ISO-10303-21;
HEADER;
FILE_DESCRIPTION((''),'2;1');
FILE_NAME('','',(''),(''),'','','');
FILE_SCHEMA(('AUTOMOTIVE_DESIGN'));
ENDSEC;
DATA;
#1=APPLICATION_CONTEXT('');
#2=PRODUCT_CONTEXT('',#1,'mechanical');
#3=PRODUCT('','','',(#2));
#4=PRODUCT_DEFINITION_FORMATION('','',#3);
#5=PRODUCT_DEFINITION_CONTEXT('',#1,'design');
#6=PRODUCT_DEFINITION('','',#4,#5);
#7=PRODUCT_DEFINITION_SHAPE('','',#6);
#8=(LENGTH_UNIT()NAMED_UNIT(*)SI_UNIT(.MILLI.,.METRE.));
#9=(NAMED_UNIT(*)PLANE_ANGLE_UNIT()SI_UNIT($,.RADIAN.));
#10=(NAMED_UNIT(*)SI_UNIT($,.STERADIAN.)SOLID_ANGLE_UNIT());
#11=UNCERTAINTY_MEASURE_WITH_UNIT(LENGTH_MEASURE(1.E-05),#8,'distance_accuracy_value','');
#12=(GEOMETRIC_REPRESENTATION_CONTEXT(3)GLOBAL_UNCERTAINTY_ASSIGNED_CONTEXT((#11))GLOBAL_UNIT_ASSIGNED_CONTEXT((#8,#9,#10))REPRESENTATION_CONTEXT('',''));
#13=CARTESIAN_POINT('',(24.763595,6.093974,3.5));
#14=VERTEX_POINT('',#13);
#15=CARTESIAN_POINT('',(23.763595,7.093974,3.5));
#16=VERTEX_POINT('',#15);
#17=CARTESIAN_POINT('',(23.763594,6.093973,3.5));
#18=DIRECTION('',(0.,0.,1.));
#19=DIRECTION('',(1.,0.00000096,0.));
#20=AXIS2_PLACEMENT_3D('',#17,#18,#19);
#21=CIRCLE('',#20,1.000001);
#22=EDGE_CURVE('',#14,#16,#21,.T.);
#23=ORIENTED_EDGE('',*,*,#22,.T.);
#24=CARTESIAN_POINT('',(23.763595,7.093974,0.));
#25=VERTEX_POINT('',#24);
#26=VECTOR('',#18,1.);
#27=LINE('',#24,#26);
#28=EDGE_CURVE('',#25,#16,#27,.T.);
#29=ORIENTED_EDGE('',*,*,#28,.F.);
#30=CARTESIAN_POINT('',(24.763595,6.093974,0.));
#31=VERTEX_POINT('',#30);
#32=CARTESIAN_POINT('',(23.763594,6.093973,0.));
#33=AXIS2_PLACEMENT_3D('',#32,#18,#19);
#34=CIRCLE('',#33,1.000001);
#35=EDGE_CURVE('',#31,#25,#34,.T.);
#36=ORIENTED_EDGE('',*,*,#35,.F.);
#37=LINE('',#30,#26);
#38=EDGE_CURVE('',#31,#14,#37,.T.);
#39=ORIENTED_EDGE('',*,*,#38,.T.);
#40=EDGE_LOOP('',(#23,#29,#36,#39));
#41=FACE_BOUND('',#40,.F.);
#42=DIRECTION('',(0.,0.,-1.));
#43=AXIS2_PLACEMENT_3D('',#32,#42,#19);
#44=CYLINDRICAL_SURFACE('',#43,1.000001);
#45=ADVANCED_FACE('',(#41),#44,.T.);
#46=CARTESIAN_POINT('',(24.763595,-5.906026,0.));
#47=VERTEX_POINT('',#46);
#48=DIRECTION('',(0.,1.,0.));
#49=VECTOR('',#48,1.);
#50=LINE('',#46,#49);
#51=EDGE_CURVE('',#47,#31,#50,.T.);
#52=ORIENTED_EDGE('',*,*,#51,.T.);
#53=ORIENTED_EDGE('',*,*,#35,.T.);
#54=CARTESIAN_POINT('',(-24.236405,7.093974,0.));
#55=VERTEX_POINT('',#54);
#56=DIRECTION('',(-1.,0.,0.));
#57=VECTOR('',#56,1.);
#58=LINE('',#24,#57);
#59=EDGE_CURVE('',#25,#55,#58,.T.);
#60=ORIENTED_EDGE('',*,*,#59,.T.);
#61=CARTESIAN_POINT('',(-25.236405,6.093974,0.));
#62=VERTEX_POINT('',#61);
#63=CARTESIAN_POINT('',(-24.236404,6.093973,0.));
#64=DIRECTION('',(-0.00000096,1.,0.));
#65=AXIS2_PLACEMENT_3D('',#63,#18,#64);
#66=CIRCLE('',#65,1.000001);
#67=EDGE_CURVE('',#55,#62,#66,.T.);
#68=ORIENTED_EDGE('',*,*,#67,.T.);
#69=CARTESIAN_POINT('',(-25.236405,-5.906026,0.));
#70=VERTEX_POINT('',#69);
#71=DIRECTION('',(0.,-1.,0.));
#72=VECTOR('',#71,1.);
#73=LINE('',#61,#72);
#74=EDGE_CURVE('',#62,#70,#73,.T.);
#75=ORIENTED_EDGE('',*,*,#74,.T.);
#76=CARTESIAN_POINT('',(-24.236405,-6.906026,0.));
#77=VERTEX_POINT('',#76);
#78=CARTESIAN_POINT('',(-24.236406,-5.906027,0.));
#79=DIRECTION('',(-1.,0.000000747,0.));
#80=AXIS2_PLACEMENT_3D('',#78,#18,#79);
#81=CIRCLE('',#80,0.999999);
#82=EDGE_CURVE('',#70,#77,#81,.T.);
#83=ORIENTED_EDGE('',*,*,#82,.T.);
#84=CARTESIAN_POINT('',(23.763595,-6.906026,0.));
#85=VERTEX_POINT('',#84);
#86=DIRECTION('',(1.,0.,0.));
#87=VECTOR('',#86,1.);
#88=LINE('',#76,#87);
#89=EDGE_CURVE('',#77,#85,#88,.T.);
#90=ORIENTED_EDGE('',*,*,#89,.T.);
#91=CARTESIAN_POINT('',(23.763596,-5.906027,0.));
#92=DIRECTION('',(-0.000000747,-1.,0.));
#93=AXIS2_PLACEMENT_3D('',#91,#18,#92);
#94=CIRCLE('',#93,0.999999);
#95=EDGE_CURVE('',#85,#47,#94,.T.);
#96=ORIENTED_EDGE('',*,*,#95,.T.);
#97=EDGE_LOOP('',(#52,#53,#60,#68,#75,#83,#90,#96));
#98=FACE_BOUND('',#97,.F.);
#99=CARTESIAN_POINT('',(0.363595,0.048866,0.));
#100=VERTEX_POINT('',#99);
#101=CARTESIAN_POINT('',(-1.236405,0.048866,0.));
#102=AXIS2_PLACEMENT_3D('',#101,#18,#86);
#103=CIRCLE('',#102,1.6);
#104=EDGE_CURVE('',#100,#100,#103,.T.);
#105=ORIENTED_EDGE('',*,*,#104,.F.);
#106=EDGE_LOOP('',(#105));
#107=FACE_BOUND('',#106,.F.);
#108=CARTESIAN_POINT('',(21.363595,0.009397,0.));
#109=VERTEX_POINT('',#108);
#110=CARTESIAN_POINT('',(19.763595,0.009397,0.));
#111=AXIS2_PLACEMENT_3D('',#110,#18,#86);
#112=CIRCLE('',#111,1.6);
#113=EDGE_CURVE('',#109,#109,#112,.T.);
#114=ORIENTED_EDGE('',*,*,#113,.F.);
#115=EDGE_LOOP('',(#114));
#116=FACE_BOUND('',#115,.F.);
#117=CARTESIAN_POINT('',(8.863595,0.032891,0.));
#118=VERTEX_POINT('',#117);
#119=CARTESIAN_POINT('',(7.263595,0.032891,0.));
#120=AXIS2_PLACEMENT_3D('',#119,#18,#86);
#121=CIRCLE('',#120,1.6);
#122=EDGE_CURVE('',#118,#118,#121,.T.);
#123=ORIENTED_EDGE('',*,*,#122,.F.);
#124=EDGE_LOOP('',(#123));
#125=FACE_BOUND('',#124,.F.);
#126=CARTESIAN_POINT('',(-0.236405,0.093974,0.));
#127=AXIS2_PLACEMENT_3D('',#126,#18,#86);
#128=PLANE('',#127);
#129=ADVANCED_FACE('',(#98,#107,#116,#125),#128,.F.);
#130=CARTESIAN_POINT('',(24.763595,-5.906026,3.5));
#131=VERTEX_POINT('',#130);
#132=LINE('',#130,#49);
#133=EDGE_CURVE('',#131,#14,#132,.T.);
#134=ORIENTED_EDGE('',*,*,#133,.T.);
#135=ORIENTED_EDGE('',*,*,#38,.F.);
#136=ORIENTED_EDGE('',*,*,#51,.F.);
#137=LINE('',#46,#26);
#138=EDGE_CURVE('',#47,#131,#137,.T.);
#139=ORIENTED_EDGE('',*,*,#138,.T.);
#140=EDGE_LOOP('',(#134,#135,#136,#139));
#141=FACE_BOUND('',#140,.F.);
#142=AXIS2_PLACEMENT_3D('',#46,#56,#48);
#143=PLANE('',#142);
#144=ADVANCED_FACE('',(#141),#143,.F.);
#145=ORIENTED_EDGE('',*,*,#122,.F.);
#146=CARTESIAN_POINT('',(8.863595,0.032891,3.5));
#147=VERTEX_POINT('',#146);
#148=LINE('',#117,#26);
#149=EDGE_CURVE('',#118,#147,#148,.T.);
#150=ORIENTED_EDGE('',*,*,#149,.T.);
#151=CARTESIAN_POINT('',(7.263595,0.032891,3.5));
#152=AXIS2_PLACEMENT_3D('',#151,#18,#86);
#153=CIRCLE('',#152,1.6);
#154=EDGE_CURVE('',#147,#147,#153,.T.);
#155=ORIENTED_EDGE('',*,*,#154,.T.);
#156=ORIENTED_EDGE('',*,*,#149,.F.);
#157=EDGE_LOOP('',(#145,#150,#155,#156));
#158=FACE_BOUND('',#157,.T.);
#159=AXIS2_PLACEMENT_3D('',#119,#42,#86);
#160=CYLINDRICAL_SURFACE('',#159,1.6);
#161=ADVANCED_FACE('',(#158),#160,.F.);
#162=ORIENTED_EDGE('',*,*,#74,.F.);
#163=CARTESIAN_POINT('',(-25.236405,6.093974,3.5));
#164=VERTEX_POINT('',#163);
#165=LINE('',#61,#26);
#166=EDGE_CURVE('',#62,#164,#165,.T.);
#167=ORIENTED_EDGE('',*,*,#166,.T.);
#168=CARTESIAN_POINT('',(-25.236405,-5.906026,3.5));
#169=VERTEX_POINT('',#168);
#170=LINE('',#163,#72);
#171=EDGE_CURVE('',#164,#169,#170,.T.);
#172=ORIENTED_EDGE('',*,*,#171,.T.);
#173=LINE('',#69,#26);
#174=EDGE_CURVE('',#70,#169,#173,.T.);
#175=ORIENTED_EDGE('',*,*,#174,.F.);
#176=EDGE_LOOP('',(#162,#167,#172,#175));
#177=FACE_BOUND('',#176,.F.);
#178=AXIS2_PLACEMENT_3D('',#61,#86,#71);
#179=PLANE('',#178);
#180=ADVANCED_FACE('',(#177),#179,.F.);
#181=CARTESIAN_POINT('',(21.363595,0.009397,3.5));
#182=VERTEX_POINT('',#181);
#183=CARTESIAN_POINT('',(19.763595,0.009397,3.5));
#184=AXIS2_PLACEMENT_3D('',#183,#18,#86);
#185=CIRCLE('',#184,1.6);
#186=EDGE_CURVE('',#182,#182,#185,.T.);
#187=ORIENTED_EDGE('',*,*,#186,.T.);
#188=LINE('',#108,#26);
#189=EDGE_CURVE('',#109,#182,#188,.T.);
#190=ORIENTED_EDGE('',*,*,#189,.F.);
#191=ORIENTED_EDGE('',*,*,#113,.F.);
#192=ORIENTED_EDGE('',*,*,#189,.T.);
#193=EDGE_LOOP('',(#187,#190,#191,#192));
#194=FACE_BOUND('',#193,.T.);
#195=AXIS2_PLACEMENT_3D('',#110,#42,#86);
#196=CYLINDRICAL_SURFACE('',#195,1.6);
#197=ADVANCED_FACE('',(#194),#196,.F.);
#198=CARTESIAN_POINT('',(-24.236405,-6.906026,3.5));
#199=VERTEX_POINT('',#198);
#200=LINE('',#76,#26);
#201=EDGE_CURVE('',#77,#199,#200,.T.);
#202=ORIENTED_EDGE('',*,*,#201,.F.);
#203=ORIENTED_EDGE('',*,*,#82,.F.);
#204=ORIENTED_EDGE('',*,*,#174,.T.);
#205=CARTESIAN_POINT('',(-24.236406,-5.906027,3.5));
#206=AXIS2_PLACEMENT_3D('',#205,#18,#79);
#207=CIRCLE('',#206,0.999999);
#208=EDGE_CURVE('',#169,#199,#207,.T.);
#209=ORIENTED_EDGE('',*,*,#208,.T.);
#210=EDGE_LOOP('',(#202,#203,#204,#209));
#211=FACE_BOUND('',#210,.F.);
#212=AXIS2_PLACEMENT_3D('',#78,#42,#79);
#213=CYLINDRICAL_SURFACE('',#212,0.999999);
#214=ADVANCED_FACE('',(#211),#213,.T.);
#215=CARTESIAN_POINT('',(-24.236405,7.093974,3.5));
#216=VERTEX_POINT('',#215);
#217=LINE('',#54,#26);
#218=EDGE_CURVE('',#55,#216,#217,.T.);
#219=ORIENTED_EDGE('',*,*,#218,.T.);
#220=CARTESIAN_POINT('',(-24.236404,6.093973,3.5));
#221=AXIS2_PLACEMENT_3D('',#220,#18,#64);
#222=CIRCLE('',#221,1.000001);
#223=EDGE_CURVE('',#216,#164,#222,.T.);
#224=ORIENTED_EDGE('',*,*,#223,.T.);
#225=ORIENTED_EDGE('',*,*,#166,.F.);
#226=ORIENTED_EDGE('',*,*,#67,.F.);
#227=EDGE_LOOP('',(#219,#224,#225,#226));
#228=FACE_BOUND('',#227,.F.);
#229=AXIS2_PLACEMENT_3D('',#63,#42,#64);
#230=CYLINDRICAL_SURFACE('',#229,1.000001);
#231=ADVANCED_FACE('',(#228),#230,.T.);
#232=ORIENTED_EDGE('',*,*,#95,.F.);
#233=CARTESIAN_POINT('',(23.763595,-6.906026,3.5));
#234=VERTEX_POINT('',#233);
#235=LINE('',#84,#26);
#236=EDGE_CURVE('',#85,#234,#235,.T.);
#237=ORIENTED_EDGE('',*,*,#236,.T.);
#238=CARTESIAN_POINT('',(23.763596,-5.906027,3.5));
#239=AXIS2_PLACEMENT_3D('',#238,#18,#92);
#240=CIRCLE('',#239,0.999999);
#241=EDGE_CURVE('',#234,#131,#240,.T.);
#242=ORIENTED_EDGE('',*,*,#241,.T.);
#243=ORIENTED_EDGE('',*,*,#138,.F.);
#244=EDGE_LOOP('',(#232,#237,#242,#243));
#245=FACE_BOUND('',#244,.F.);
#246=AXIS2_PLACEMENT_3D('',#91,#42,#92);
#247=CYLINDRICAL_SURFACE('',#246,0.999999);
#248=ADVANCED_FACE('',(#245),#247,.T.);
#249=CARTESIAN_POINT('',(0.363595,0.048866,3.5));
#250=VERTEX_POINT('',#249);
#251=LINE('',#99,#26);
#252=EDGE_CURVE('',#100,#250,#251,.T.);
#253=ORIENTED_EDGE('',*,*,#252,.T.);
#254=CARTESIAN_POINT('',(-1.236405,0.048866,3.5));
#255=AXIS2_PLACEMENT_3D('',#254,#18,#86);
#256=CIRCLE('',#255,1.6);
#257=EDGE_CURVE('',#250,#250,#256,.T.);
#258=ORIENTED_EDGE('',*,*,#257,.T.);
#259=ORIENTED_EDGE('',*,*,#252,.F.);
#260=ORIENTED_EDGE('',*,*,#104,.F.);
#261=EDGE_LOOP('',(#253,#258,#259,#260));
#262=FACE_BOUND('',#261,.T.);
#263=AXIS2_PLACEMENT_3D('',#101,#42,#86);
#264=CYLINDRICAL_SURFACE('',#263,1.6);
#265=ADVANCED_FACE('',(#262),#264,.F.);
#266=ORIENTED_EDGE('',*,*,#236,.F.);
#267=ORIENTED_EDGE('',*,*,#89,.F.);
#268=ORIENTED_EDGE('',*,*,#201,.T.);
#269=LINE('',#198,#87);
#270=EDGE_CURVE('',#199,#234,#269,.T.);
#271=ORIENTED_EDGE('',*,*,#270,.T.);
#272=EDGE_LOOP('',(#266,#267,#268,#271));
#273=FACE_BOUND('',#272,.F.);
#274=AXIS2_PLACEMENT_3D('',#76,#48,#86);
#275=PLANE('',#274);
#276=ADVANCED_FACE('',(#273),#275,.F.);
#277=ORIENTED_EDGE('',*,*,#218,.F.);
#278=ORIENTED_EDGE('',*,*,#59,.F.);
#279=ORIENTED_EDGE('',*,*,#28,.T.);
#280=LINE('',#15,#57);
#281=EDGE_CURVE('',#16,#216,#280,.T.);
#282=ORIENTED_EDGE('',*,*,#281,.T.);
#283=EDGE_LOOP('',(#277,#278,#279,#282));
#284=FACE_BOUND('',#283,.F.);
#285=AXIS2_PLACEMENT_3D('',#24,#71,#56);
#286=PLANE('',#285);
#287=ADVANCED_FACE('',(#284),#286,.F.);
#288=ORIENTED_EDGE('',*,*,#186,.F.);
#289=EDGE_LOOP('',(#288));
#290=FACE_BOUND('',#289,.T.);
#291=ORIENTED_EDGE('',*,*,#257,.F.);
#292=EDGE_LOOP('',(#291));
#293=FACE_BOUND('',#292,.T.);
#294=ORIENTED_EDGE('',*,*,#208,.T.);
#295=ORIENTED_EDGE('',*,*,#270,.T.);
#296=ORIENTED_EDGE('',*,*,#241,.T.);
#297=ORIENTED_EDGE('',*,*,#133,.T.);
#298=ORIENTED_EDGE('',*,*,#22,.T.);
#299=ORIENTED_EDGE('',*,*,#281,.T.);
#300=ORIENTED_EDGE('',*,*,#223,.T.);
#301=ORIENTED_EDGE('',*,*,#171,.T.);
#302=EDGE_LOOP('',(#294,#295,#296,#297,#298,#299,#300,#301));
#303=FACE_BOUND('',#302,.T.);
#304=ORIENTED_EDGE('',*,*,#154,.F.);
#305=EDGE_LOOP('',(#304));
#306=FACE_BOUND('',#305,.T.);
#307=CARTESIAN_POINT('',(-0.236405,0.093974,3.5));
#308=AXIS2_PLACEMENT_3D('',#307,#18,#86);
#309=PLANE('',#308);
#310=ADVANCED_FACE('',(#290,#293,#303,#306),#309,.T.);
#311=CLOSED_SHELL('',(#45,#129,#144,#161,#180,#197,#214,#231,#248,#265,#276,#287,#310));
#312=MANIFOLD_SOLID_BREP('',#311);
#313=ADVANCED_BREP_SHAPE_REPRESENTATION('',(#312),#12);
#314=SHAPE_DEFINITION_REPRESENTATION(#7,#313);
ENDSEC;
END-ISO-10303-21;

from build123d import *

# Parameters (mm, degrees)
F0_R     = 1.6
F1_DEPTH = 3.5


with BuildPart() as f1:
    # F0 (on Top) → F1 (new body)
    with BuildSketch(Plane.XY):
        with BuildLine():
            Line((23.763595, 7.093974), (-24.236405, 7.093974))
            ThreePointArc((-24.236405, 7.093974), (-24.943512, 6.80108), (-25.236405, 6.093974))
            Line((-25.236405, 6.093974), (-25.236405, -5.906026))
            ThreePointArc((-25.236405, -5.906026), (-24.943512, -6.613133), (-24.236405, -6.906026))
            Line((-24.236405, -6.906026), (23.763595, -6.906026))
            ThreePointArc((23.763595, -6.906026), (24.470702, -6.613133), (24.763595, -5.906026))
            Line((24.763595, -5.906026), (24.763595, 6.093974))
            ThreePointArc((24.763595, 6.093974), (24.470702, 6.80108), (23.763595, 7.093974))
        make_face()
        with Locations((-1.236405, 0.048866)):
            Circle(F0_R, mode=Mode.SUBTRACT)
        with Locations((7.263595, 0.032891)):
            Circle(F0_R, mode=Mode.SUBTRACT)
        with Locations((19.763595, 0.009397)):
            Circle(F0_R, mode=Mode.SUBTRACT)
    extrude(amount=F1_DEPTH)


solid = f1.part
